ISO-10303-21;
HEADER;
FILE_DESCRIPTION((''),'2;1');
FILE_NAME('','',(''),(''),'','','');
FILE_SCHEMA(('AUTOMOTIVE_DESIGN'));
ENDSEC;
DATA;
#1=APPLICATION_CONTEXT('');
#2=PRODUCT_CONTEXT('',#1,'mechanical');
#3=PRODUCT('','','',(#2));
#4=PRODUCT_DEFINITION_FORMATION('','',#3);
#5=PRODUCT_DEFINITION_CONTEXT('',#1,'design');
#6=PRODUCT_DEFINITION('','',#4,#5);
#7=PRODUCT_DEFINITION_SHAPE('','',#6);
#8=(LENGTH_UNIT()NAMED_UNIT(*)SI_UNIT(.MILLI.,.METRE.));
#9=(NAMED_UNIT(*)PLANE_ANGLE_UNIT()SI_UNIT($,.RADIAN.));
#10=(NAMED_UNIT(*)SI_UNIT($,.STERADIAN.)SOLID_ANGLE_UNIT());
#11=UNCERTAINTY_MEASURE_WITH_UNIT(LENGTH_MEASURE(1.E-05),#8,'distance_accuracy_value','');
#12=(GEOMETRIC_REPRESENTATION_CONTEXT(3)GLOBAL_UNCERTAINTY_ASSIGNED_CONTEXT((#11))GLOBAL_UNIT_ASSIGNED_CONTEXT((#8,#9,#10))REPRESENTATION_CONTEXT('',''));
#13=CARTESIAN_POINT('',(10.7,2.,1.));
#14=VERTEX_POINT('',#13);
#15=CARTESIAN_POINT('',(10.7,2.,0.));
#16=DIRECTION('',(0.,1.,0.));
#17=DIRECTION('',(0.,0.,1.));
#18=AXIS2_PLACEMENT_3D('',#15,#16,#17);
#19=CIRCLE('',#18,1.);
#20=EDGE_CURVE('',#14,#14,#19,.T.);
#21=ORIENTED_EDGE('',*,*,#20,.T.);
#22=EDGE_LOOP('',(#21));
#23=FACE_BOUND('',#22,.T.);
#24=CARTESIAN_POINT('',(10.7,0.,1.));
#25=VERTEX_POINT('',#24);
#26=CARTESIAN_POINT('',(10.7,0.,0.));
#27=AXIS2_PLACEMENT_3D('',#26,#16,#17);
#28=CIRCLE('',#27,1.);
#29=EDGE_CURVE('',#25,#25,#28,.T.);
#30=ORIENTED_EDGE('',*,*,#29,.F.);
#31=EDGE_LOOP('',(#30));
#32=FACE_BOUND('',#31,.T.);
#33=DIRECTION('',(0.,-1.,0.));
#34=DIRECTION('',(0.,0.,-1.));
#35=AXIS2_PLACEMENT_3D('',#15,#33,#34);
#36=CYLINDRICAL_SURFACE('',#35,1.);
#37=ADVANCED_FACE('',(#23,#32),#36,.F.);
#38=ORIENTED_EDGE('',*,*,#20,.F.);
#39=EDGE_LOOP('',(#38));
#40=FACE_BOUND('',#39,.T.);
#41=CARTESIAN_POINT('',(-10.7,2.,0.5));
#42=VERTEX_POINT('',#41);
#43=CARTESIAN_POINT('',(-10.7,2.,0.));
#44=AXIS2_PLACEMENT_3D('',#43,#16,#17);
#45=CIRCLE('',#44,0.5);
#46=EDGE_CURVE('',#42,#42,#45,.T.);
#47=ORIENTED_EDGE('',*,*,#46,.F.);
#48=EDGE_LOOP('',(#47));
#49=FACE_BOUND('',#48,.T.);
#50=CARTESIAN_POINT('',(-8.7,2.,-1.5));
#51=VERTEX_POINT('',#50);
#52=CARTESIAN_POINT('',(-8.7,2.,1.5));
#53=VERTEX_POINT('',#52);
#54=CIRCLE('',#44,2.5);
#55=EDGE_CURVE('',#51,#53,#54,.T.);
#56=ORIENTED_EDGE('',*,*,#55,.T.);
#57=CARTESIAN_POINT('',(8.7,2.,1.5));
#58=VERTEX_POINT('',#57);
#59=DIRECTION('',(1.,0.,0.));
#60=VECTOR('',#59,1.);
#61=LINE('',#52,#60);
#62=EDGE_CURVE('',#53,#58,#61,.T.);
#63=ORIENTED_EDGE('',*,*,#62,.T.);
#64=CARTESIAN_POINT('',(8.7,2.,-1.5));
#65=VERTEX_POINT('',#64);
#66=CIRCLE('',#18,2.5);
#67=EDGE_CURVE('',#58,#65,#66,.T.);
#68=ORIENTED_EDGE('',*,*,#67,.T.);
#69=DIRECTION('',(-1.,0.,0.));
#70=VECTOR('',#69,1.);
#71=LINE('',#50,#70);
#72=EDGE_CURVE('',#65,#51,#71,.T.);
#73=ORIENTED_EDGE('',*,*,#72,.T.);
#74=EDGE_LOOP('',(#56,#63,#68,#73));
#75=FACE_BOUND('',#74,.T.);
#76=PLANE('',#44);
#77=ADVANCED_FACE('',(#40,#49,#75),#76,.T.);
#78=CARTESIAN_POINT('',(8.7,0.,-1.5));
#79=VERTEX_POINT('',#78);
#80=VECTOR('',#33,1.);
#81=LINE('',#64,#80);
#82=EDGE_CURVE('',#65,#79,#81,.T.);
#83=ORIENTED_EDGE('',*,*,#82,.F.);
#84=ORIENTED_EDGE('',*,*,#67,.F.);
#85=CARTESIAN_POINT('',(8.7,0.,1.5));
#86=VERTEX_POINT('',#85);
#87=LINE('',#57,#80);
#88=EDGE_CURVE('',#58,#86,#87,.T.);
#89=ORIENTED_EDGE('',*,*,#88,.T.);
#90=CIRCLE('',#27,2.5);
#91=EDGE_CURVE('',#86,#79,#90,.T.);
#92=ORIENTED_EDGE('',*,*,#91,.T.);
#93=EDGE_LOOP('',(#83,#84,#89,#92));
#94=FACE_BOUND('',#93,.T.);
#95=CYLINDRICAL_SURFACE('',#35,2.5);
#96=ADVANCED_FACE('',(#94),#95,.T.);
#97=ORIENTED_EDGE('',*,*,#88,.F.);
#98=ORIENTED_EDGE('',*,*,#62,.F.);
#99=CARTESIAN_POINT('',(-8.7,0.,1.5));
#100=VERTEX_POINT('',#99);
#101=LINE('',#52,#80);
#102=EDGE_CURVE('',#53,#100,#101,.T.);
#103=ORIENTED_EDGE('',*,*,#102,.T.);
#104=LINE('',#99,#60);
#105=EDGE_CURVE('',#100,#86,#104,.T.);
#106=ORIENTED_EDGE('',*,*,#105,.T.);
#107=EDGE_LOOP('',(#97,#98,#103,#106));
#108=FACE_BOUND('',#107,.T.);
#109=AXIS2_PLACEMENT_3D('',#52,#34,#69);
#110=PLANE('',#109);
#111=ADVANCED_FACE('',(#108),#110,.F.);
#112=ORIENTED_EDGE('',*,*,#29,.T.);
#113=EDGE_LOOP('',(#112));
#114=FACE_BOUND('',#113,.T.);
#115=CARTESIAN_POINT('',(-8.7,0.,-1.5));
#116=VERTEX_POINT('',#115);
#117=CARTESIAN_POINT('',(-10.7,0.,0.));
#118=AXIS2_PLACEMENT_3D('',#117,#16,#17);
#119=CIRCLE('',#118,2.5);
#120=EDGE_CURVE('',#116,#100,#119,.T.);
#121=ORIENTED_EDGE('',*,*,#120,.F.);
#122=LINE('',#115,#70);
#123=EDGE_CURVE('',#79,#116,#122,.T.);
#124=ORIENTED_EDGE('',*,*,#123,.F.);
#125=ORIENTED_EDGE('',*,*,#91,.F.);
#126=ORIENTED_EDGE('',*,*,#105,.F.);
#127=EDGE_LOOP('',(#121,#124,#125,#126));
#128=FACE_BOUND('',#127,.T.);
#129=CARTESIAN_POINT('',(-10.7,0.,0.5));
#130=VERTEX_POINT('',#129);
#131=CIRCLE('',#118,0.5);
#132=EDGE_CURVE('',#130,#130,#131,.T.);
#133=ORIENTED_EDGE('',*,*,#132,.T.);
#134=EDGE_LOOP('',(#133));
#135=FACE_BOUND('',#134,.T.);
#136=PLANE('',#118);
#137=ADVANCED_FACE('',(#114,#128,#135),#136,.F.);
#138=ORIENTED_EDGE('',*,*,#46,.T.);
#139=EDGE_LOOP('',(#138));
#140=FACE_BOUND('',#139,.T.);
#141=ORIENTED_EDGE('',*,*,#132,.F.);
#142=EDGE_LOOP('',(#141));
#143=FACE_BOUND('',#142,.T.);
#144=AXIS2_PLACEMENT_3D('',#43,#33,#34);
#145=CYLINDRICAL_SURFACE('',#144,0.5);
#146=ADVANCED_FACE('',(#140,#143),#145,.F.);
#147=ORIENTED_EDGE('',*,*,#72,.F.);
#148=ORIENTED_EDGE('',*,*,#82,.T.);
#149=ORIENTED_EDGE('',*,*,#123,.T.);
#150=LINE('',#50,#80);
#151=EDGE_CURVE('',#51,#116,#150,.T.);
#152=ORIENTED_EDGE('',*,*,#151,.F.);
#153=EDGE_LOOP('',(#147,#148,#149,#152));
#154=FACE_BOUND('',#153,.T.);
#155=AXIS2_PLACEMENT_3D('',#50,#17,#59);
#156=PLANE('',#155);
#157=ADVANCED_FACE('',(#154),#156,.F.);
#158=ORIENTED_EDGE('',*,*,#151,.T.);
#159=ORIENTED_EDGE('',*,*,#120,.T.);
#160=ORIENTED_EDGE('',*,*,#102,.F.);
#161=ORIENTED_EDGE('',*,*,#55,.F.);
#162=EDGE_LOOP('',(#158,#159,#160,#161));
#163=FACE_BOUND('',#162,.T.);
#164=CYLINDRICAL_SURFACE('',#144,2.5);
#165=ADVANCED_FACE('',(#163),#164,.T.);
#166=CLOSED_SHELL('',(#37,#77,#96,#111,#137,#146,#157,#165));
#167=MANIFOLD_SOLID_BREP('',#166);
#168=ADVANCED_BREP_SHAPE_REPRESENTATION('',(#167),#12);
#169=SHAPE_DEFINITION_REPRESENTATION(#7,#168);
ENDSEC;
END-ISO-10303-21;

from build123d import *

# Parameters (mm, degrees)
SKETCH1_R           = 1
SKETCH1_R_2         = 0.5
BOSS_EXTRUDE1_DEPTH = 2


with BuildPart() as part:
    # Sketch1 → Boss-Extrude1 (new body)
    with BuildSketch(Plane(origin=(0, 0, 0), x_dir=(1, 0, 0), z_dir=(0, 1, 0))):
        with BuildLine():
            Line((-8.7, 1.5), (8.7, 1.5))
            ThreePointArc((8.7, 1.5), (13.2, 0), (8.7, -1.5))
            Line((8.7, -1.5), (-8.7, -1.5))
            ThreePointArc((-8.7, -1.5), (-13.2, 0), (-8.7, 1.5))
        make_face()
        with Locations(Location((10.7, 0, 0), (0, 0, 270))):
            Circle(SKETCH1_R, mode=Mode.SUBTRACT)
        with Locations(Location((-10.7, 0, 0), (0, 0, 270))):
            Circle(SKETCH1_R_2, mode=Mode.SUBTRACT)
    extrude(amount=BOSS_EXTRUDE1_DEPTH)


solid = part.part
